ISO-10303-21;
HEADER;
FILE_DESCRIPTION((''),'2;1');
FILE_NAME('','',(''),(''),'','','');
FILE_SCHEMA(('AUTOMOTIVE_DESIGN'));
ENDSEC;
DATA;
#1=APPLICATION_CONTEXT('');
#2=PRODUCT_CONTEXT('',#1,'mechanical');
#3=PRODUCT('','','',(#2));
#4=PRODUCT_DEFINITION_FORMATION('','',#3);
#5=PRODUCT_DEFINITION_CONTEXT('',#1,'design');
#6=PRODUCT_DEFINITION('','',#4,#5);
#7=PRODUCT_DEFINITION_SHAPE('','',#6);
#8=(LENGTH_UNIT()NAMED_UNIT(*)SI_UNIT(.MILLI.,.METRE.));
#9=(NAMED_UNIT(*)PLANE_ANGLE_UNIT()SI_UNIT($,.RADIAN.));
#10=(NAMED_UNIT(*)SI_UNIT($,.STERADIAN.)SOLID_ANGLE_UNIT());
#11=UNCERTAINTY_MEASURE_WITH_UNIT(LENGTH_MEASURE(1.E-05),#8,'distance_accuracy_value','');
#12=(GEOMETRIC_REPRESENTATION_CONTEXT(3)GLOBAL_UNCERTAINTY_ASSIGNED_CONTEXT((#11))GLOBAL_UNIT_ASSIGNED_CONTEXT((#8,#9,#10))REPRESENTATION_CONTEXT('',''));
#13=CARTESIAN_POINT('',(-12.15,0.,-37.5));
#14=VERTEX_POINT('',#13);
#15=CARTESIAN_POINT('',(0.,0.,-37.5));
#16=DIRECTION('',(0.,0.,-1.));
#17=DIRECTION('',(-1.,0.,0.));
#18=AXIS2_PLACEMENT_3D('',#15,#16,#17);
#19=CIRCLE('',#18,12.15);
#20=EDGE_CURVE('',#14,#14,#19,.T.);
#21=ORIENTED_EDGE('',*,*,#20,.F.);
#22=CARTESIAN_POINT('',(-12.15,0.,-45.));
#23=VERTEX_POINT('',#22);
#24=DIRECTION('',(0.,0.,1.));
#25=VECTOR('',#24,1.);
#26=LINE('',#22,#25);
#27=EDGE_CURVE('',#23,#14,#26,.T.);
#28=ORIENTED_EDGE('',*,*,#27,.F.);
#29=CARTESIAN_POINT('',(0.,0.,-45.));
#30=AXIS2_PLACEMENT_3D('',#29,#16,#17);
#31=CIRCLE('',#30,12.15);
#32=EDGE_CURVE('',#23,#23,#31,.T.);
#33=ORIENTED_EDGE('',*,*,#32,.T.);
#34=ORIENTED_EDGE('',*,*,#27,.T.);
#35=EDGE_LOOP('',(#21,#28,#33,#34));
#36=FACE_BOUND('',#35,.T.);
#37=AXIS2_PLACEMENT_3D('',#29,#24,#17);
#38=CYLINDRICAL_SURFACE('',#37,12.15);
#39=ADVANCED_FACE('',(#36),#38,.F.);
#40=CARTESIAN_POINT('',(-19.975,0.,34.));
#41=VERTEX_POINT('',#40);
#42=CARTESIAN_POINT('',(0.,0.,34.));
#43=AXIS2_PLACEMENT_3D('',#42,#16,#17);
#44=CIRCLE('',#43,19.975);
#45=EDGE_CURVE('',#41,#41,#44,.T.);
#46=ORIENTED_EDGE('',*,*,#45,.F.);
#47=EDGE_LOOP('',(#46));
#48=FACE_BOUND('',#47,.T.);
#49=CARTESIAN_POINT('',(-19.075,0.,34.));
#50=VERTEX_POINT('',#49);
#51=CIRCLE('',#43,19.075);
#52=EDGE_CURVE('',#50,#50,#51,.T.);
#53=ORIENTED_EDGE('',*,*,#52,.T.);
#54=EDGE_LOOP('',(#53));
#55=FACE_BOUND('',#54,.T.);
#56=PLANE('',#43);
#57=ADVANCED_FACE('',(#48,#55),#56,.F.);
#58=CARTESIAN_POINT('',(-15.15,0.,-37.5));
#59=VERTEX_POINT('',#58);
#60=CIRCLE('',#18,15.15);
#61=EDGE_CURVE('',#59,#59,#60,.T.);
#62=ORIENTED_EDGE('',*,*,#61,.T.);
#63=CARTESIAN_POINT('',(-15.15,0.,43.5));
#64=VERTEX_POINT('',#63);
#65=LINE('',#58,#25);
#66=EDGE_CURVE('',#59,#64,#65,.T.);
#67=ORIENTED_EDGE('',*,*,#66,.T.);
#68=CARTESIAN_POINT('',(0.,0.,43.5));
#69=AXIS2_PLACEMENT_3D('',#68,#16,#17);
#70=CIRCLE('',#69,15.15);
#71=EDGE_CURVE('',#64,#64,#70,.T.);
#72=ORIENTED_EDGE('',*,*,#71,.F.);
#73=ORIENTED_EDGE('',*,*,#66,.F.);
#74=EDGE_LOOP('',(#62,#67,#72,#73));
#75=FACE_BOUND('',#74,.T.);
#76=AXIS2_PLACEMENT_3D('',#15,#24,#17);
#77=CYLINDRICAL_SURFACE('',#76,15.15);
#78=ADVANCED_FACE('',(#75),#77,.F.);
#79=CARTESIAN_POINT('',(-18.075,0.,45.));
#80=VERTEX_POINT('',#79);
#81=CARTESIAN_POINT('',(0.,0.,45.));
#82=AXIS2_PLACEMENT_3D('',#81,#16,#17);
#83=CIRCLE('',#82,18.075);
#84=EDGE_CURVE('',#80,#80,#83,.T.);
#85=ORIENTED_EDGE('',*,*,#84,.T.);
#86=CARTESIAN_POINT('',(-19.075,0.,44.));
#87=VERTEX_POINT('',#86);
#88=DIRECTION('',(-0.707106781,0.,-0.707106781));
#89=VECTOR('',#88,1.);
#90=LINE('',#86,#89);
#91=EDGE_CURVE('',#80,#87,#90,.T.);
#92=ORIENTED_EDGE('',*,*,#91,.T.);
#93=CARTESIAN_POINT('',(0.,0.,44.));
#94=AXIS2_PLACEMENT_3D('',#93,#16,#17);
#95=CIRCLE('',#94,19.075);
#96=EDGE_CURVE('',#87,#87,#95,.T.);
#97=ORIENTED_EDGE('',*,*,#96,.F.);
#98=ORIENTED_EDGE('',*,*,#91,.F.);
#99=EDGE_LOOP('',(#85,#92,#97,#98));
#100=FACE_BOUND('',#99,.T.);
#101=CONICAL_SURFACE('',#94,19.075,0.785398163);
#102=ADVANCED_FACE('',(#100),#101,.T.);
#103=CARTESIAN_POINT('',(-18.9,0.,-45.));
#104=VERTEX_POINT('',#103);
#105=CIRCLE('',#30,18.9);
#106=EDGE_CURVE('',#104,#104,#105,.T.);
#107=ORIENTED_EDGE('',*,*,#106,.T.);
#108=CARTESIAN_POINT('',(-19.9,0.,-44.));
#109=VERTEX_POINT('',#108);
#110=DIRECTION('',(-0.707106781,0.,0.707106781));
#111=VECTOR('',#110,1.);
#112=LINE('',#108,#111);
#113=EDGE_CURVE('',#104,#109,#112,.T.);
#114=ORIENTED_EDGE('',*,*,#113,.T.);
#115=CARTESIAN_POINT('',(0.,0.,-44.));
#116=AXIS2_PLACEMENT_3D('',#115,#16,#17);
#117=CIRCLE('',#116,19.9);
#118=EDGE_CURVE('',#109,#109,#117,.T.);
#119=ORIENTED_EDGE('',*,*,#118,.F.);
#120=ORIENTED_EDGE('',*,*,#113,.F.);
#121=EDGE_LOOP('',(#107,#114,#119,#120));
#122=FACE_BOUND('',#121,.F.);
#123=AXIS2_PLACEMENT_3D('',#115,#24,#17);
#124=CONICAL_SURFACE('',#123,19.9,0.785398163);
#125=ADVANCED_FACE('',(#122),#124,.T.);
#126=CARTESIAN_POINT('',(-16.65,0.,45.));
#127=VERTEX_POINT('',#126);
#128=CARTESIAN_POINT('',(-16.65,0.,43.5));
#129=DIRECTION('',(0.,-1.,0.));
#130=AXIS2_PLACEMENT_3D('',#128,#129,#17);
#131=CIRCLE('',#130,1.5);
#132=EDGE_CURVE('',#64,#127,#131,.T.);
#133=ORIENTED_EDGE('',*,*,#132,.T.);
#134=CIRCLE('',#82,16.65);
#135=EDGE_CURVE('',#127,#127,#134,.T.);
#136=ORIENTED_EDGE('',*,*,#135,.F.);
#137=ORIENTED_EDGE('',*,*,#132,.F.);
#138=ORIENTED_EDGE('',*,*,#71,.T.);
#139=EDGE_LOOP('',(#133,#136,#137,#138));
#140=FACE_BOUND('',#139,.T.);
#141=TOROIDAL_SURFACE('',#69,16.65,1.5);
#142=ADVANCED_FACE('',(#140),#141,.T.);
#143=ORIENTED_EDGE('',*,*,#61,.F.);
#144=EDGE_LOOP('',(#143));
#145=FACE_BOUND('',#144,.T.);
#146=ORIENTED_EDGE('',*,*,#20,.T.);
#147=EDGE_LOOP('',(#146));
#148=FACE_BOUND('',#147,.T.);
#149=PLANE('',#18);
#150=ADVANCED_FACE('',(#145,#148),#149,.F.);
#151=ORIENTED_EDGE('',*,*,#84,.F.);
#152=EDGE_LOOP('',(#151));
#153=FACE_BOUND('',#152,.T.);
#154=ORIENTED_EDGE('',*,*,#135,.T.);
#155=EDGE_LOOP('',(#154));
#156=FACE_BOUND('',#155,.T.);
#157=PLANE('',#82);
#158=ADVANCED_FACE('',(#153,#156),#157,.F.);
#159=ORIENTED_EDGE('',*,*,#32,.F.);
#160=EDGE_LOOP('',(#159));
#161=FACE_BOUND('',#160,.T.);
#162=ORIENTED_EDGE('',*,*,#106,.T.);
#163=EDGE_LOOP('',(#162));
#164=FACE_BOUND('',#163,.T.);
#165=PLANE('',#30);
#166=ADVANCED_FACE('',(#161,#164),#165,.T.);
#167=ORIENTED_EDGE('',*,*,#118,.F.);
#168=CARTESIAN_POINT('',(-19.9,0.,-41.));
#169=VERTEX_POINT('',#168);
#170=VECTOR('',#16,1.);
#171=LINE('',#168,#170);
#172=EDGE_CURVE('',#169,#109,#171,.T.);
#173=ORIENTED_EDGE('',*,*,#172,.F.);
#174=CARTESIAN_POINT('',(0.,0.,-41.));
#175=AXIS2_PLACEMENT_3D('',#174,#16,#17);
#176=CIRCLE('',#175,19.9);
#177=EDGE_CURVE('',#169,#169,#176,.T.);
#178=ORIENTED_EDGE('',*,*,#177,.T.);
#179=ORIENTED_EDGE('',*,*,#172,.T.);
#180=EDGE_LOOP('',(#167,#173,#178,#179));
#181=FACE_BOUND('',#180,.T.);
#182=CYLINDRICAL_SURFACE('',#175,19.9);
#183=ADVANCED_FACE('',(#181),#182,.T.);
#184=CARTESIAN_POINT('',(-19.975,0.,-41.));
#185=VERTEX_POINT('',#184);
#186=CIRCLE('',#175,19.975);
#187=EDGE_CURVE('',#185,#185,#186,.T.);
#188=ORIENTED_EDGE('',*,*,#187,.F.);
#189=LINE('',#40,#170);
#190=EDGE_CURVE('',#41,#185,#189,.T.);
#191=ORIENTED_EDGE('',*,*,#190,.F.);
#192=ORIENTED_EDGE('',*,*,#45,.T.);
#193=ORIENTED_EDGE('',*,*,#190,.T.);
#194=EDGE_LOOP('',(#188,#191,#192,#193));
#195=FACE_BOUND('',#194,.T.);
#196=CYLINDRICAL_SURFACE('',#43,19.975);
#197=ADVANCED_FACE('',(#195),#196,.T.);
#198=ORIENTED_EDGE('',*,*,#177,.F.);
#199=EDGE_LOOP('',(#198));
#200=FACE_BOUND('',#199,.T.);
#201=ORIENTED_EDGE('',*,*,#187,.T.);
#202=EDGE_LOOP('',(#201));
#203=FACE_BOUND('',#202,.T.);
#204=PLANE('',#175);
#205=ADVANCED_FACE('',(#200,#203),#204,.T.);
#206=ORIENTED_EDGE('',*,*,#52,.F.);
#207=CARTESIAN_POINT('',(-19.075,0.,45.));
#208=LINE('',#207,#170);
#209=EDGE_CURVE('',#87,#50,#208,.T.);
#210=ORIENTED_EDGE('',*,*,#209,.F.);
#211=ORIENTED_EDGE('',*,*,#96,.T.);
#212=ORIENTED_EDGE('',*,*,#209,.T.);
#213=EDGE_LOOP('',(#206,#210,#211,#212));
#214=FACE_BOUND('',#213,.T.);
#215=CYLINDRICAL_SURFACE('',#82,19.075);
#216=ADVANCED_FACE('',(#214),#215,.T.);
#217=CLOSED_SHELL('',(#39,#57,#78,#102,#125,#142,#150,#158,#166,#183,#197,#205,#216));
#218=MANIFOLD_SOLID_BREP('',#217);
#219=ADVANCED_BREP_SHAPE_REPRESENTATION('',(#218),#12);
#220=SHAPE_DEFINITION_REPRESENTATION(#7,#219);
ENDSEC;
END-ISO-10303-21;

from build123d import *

# Parameters (mm, degrees)
F2_R    = 1.5
F3_SIZE = 1


with BuildPart() as f1:
    # F0 (on Front) → F1 (revolve)
    with BuildSketch(Plane.XZ):
        Polygon((-15.15, -37.5), (-15.15, 45), (-19.075, 45), (-19.075, 34), (-19.975, 34), (-19.975, -41), (-19.9, -41), (-19.9, -45), (-12.15, -45), (-12.15, -37.5), align=None)
    revolve(axis=Axis((0, 0, -0.782523), (0, 0, -1)))

    # F2
    f2_edges = [f1.edges().sort_by_distance(p)[0] for p in [
        (15.15, 0, 45),
    ]]
    fillet(f2_edges, radius=F2_R)

    # F3
    f3_edges = [f1.edges().sort_by_distance(p)[0] for p in [
        (19.075, 0, 45),
        (19.9, 0, -45),
    ]]
    chamfer(f3_edges, length=F3_SIZE)


solid = f1.part
